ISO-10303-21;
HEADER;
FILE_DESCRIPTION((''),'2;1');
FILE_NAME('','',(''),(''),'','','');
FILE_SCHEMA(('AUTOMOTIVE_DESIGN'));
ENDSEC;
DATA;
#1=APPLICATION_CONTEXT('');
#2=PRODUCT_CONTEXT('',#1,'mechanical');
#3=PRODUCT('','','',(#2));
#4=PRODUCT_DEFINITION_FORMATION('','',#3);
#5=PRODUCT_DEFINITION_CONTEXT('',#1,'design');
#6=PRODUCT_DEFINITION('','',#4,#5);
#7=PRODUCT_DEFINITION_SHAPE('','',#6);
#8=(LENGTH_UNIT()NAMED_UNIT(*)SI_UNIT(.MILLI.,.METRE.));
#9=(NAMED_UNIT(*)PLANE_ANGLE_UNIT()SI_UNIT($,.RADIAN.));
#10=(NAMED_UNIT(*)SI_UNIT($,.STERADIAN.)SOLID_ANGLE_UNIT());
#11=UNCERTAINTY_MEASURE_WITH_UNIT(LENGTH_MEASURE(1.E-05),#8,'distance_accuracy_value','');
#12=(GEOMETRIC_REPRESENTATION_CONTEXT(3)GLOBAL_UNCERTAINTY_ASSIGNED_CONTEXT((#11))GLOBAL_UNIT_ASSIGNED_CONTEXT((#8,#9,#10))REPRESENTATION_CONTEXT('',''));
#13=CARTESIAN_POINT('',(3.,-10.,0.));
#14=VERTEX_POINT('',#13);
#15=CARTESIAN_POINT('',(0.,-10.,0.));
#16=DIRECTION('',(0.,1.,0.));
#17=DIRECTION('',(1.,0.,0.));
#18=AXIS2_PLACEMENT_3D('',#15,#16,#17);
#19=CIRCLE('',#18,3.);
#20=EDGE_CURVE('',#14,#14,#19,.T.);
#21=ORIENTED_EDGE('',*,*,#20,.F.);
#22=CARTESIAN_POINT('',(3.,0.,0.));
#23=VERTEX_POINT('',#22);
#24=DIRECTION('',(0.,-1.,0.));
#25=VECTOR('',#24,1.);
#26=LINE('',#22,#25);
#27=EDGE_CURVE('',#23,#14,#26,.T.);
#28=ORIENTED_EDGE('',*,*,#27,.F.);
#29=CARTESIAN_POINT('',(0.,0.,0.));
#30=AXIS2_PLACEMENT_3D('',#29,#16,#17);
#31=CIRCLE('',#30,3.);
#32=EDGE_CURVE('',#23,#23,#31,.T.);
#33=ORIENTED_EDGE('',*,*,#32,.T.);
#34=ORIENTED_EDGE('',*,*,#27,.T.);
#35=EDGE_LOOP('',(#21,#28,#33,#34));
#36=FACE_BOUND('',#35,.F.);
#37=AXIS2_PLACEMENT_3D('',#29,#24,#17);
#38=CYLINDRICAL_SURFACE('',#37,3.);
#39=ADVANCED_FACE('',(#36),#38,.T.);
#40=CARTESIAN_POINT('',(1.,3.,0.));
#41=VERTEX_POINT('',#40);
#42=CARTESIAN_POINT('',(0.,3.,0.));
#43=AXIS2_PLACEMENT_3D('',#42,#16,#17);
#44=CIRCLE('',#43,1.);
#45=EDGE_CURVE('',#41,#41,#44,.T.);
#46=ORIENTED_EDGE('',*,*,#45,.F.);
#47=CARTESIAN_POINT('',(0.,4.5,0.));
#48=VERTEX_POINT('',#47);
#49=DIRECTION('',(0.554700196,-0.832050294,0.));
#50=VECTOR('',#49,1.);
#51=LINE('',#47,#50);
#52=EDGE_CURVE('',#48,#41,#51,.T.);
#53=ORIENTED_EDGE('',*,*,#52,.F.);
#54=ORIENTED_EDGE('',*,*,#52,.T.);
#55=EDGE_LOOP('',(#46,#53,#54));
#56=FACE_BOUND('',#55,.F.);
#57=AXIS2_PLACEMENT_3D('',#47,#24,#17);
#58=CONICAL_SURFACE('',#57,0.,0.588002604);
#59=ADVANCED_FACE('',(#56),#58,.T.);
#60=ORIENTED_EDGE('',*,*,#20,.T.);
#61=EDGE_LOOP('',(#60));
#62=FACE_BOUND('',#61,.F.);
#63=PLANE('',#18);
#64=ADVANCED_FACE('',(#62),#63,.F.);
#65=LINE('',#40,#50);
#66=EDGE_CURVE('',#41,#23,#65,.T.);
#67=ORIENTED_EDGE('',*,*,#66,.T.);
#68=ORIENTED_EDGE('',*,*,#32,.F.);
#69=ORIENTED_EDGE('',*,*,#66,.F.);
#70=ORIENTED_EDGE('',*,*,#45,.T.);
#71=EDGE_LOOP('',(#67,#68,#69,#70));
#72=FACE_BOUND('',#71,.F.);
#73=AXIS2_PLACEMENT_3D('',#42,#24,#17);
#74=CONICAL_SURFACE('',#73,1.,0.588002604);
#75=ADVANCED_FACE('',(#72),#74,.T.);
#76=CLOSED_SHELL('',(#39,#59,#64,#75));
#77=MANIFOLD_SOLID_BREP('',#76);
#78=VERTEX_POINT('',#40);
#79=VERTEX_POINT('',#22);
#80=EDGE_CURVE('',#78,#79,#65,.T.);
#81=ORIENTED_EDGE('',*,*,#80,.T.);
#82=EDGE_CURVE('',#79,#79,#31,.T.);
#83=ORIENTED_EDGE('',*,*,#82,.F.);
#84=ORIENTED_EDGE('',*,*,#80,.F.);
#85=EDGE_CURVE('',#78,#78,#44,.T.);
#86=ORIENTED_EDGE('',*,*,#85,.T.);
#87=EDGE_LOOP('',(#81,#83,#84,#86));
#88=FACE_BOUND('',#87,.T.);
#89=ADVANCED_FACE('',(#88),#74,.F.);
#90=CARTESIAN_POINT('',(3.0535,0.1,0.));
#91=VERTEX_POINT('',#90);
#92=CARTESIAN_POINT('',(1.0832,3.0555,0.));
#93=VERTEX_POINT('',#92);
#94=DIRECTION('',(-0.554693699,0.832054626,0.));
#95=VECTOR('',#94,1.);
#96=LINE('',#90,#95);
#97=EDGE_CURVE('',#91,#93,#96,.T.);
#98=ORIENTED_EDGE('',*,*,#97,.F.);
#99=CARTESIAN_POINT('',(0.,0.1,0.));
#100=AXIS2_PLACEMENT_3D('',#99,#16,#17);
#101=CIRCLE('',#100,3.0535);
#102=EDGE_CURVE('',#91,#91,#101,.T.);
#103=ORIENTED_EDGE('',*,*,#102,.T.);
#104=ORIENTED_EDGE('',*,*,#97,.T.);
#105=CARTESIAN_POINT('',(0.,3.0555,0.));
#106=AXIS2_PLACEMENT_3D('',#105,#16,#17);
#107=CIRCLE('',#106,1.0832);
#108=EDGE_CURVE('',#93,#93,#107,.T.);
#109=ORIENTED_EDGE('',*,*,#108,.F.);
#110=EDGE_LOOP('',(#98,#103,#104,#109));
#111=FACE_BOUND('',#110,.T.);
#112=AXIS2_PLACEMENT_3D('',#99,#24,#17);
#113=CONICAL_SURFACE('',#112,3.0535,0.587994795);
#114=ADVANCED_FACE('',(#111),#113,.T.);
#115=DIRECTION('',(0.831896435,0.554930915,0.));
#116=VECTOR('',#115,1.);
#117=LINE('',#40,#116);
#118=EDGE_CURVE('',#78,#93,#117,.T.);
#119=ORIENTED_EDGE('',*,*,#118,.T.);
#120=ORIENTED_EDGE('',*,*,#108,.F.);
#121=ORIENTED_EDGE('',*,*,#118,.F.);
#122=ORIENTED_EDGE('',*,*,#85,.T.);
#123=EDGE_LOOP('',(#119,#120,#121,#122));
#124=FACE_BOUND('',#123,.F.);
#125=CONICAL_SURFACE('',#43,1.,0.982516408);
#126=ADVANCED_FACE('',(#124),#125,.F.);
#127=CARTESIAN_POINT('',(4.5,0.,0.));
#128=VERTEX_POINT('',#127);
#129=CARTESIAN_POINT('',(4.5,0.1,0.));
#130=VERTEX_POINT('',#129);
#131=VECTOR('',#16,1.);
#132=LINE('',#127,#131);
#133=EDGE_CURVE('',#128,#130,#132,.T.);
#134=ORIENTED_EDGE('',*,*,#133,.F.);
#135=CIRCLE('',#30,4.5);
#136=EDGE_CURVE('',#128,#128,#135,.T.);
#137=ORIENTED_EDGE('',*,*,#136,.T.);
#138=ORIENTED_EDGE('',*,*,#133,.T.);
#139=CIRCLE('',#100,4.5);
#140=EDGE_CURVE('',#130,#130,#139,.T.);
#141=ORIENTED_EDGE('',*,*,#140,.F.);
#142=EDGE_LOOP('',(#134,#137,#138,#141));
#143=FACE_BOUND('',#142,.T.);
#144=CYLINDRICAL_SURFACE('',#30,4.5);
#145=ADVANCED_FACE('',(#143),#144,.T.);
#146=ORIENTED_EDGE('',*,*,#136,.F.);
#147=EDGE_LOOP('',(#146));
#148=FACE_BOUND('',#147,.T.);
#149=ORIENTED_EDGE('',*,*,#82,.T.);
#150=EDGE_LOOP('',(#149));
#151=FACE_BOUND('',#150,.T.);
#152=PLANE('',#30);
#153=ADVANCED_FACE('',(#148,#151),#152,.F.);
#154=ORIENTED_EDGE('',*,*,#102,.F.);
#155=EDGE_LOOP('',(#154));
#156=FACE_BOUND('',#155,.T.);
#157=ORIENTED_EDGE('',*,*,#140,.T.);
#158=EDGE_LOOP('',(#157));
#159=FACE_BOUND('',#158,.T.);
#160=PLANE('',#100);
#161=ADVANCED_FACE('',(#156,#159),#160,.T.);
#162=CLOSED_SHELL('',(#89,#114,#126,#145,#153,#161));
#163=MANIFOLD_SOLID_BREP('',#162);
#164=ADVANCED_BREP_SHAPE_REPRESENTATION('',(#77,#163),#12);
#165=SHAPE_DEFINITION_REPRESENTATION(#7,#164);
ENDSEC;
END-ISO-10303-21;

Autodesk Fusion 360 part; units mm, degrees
sketch "Sketch1" plane through (0, 0, 0) normal (0, 0, 1) x (1, 0, 0)
  line L0 (0, 3) -> (1, 3) construction
  line L1 (0, 0) -> (3, 0) construction
  line L2 (1, 3) -> (3, 0)
  line L3 (3, 0) -> (4.5, 0)
  line L4 (4.5, 0) -> (4.5, 0.1)
  line L5 (1, 3) -> (1.0832, 3.0555)
  line L6 (4.5, 0.1) -> (3.0535, 0.1)
  line L7 (3.0535, 0.1) -> (1.0832, 3.0555)
  line L8 (0, 4.5) -> (3, 0)
  line L9 (3, 0) -> (3, -10)
  line L10 (3, -10) -> (0, -10)
  line L11 (0, 1.75) -> (0, 22.5)
  line L12 (0, 4.5) -> (0, -10)
  dimension "d1" = 1
  dimension "d3" = 3
  dimension "d4" = 3
  dimension "d5" = 1.5
  dimension "d6" = 0.1
  dimension "d7" = 0.1
  dimension "d9" = 123.69
  dimension "d11" = 10
revolve "Revolve1" add sketch "Sketch1" angle 360 about axis through (0, 1.75, 0) along (0, 1, 0) contours L2 L3 L4 L5 L6 L7 L8 makes body 1
revolve "Revolve2" add sketch "Sketch1" angle 360 about axis through (0, 1.75, 0) along (0, 1, 0) separate body contours L2 L8 L9 L10 L11 L12 makes body 2
